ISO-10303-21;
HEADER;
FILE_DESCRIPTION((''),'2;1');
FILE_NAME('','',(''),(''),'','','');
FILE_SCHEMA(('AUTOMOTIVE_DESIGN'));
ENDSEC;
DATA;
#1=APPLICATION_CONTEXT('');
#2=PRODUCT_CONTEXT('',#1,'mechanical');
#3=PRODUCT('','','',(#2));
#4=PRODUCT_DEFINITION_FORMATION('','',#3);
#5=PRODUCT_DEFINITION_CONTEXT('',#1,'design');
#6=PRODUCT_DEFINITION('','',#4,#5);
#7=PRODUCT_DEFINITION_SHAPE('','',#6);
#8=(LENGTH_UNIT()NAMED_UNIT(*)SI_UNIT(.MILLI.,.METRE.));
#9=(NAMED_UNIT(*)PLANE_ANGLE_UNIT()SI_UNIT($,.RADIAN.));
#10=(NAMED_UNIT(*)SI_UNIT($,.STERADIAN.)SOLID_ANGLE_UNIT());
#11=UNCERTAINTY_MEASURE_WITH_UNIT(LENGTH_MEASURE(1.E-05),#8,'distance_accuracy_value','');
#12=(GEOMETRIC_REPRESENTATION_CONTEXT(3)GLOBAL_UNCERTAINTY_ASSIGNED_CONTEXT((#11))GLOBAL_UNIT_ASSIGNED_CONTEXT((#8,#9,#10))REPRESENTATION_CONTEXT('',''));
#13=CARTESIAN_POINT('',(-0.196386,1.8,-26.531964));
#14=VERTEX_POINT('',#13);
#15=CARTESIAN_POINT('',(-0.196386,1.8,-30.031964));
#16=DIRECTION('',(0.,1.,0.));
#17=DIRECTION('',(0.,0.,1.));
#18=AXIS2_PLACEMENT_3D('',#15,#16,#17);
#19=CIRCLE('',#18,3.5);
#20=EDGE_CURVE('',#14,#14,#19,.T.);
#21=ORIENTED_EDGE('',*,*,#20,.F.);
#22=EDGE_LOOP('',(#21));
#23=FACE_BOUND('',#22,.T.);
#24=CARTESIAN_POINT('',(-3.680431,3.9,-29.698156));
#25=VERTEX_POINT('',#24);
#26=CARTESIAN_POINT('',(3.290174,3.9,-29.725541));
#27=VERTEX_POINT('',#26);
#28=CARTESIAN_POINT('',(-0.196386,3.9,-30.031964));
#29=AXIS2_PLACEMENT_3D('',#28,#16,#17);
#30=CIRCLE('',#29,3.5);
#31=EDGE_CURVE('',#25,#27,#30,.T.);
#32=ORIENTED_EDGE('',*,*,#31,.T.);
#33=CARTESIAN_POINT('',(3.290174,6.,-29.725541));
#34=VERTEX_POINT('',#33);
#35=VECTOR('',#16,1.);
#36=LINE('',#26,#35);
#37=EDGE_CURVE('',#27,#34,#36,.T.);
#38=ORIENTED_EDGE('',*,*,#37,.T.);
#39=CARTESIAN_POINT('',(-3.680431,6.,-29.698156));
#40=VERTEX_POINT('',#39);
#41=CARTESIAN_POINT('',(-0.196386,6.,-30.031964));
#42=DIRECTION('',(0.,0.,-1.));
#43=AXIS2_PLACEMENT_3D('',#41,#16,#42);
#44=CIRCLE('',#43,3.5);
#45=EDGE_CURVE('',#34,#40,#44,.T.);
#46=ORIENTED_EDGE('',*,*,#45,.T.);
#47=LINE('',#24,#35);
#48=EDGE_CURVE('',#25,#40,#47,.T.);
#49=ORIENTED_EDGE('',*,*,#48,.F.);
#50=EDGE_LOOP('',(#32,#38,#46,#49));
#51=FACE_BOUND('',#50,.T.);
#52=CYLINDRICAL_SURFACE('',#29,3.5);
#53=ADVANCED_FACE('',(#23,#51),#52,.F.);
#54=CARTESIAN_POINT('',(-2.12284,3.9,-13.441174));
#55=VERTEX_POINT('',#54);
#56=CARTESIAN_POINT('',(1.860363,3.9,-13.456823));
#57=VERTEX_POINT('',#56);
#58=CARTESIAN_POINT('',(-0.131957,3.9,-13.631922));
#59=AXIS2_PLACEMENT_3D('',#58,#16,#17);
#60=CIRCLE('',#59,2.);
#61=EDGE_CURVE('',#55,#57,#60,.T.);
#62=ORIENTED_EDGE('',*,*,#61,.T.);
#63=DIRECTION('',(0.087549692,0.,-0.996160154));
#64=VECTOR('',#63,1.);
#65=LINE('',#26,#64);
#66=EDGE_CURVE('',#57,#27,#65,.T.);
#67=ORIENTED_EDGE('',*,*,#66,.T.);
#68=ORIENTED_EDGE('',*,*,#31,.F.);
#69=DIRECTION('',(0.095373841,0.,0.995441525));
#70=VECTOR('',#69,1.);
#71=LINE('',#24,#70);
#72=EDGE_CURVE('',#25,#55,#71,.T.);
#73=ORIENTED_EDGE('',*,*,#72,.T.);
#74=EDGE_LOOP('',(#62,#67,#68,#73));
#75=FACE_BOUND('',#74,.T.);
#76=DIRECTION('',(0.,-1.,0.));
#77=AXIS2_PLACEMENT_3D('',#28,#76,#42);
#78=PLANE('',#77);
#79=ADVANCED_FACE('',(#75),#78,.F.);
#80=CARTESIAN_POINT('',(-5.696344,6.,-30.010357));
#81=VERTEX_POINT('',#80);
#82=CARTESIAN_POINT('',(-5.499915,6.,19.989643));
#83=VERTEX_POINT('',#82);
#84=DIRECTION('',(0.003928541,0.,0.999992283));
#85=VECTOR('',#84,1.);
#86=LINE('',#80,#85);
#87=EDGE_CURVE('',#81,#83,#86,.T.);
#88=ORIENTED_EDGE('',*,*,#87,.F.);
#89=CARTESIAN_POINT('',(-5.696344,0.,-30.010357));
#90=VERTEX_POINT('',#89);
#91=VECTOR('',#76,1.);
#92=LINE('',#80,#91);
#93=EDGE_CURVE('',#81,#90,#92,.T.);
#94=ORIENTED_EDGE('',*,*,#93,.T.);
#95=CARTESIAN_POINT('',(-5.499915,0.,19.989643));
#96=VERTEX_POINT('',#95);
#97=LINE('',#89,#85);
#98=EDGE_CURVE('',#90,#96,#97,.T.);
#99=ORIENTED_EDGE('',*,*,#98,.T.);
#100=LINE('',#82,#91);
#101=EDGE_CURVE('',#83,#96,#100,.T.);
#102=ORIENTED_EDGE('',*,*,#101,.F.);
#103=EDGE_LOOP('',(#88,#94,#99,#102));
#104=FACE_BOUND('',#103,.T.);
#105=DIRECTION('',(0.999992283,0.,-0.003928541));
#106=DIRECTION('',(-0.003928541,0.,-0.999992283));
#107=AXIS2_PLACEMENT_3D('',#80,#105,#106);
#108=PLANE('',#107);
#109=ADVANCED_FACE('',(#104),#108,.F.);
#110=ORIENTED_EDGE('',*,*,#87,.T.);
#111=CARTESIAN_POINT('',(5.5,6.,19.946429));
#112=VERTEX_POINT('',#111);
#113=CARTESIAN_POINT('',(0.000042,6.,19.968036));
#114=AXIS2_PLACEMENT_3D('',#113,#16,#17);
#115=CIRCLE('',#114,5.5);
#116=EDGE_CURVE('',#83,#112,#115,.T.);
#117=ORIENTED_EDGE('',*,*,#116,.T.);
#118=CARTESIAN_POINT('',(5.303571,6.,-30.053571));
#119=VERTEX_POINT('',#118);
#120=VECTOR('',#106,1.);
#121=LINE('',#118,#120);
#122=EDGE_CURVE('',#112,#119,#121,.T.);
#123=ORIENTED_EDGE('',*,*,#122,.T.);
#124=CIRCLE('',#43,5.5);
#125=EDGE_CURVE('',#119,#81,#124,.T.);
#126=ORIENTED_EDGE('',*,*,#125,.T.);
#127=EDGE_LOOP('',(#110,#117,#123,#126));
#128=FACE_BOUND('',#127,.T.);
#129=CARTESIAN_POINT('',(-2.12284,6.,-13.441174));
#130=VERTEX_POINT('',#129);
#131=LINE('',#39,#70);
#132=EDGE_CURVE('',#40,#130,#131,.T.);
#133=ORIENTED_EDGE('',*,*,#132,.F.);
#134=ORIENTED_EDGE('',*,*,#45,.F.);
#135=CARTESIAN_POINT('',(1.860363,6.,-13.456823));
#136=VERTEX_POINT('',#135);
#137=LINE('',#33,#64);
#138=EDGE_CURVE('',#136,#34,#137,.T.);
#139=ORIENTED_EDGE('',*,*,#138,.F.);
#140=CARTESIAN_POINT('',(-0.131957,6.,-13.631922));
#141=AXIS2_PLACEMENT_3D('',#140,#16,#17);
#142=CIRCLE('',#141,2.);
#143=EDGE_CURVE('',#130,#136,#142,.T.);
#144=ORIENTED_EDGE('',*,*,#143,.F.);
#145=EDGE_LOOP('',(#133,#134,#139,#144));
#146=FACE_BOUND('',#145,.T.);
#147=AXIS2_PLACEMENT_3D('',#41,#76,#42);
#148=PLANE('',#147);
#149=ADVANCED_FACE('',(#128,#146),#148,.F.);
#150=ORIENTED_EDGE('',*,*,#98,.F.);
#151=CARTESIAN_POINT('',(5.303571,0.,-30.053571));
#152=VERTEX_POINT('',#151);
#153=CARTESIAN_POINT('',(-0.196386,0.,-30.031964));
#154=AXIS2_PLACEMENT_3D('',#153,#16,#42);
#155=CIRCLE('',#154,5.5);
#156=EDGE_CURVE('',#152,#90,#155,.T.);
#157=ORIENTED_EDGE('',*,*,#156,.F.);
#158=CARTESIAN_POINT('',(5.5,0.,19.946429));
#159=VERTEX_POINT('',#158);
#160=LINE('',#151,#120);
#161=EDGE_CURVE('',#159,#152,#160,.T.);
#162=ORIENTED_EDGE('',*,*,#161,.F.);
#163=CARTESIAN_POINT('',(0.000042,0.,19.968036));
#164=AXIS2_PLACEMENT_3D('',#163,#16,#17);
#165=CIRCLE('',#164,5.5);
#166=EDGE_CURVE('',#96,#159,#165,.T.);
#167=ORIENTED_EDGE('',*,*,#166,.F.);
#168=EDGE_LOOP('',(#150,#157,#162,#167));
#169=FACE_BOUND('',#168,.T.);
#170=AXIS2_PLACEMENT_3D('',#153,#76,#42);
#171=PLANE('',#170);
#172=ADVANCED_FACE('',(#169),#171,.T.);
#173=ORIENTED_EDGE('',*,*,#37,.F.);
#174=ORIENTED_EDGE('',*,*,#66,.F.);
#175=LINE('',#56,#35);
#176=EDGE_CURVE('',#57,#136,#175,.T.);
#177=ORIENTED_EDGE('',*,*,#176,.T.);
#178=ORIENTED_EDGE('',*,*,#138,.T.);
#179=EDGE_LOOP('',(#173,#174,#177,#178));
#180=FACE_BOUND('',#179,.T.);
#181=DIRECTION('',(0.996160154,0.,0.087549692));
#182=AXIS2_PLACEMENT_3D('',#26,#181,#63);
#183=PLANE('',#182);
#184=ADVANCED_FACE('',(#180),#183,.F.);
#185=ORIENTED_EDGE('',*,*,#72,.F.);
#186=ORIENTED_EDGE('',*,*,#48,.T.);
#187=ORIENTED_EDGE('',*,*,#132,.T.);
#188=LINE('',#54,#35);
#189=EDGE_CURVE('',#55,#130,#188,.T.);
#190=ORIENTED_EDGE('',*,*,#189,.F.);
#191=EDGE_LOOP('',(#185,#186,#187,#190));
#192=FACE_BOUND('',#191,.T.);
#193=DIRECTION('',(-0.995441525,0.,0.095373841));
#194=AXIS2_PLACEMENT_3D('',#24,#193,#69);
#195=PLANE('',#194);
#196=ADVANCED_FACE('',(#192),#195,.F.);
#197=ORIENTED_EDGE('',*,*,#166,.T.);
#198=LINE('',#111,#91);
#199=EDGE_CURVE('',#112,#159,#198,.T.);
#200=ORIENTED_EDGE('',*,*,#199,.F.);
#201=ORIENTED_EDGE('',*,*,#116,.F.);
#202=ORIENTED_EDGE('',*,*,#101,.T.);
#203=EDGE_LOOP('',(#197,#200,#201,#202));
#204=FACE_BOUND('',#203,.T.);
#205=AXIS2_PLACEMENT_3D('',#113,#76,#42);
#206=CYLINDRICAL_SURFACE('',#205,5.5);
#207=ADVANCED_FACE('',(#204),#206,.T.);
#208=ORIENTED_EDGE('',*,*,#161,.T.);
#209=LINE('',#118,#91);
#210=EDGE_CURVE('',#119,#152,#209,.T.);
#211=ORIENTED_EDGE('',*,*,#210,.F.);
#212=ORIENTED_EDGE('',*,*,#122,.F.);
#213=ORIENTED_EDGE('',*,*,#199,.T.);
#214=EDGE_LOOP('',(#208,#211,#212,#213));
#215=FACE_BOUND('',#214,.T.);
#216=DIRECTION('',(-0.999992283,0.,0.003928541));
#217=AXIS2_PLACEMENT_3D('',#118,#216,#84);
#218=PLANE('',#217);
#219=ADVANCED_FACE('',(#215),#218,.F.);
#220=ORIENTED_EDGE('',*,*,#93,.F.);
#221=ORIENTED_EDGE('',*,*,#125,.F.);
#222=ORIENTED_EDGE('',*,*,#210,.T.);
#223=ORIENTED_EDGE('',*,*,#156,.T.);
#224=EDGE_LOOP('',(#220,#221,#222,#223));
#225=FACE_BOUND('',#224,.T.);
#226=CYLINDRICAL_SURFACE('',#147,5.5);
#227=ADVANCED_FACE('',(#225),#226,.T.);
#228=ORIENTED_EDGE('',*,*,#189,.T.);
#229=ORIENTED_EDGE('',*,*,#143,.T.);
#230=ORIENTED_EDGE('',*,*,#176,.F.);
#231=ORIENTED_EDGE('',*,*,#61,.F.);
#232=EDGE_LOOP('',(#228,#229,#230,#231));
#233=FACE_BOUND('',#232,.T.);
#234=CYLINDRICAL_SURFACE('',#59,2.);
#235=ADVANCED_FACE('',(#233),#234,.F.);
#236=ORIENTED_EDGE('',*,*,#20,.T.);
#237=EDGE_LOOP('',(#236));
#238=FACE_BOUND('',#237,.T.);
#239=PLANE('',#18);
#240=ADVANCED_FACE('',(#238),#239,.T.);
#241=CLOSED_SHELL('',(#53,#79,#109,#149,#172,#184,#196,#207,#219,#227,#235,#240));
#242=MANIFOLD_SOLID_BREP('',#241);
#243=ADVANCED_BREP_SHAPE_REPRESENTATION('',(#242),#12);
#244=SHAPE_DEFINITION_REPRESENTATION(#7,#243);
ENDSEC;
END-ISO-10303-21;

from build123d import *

# Parameters (mm, degrees)
EXTRUDE_1_DEPTH     = 6
CUT_EXTRUDE_1_DEPTH = 2.1
SKETCH_4_R          = 3.5
CUT_EXTRUDE_2_DEPTH = 2.1


with BuildPart() as part:
    # Эскиз2 → Бобышка-Вытянуть1 (new body)
    with BuildSketch(Plane(origin=(0, 0, 0), x_dir=(1, 0, 0), z_dir=(0, 1, 0))):
        with BuildLine():
            Line((-5.696343687, 30.010357476), (-5.499915116, -19.989642524))
            ThreePointArc((-5.499915116, -19.989642524), (0.021649418, -25.467993105), (5.5, -19.946428571))
            Line((5.5, -19.946428571), (5.303571429, 30.053571429))
            ThreePointArc((5.303571429, 30.053571429), (-0.217993105, 35.53192201), (-5.696343687, 30.010357476))
        make_face()
    extrude(amount=EXTRUDE_1_DEPTH)

    # Эскиз3 → Вырез-Вытянуть1 (cut)
    with BuildSketch(Plane(origin=(0, 6, 0), x_dir=(1, 0, 0), z_dir=(0, 1, 0))):
        with BuildLine():
            Line((-3.680431468, 29.698156009), (-2.122840442, 13.441174328))
            ThreePointArc((-2.122840442, 13.441174328), (-0.124100309, 11.631937444), (1.860362916, 13.456822627))
            Line((1.860362916, 13.456822627), (3.290174408, 29.725540532))
            ThreePointArc((3.290174408, 29.725540532), (-0.210136023, 33.531937444), (-3.680431468, 29.698156009))
        make_face()
    extrude(amount=-CUT_EXTRUDE_1_DEPTH, mode=Mode.SUBTRACT)

    # Эскиз4 → Вырез-Вытянуть2 (cut)
    with BuildSketch(Plane(origin=(0, 3.9, 0), x_dir=(1, 0, 0), z_dir=(0, 1, 0))):
        with Locations(Location((-0.196386129, 30.031964452, 0), (0, 0, 270))):
            Circle(SKETCH_4_R)
    extrude(amount=-CUT_EXTRUDE_2_DEPTH, mode=Mode.SUBTRACT)


solid = part.part
